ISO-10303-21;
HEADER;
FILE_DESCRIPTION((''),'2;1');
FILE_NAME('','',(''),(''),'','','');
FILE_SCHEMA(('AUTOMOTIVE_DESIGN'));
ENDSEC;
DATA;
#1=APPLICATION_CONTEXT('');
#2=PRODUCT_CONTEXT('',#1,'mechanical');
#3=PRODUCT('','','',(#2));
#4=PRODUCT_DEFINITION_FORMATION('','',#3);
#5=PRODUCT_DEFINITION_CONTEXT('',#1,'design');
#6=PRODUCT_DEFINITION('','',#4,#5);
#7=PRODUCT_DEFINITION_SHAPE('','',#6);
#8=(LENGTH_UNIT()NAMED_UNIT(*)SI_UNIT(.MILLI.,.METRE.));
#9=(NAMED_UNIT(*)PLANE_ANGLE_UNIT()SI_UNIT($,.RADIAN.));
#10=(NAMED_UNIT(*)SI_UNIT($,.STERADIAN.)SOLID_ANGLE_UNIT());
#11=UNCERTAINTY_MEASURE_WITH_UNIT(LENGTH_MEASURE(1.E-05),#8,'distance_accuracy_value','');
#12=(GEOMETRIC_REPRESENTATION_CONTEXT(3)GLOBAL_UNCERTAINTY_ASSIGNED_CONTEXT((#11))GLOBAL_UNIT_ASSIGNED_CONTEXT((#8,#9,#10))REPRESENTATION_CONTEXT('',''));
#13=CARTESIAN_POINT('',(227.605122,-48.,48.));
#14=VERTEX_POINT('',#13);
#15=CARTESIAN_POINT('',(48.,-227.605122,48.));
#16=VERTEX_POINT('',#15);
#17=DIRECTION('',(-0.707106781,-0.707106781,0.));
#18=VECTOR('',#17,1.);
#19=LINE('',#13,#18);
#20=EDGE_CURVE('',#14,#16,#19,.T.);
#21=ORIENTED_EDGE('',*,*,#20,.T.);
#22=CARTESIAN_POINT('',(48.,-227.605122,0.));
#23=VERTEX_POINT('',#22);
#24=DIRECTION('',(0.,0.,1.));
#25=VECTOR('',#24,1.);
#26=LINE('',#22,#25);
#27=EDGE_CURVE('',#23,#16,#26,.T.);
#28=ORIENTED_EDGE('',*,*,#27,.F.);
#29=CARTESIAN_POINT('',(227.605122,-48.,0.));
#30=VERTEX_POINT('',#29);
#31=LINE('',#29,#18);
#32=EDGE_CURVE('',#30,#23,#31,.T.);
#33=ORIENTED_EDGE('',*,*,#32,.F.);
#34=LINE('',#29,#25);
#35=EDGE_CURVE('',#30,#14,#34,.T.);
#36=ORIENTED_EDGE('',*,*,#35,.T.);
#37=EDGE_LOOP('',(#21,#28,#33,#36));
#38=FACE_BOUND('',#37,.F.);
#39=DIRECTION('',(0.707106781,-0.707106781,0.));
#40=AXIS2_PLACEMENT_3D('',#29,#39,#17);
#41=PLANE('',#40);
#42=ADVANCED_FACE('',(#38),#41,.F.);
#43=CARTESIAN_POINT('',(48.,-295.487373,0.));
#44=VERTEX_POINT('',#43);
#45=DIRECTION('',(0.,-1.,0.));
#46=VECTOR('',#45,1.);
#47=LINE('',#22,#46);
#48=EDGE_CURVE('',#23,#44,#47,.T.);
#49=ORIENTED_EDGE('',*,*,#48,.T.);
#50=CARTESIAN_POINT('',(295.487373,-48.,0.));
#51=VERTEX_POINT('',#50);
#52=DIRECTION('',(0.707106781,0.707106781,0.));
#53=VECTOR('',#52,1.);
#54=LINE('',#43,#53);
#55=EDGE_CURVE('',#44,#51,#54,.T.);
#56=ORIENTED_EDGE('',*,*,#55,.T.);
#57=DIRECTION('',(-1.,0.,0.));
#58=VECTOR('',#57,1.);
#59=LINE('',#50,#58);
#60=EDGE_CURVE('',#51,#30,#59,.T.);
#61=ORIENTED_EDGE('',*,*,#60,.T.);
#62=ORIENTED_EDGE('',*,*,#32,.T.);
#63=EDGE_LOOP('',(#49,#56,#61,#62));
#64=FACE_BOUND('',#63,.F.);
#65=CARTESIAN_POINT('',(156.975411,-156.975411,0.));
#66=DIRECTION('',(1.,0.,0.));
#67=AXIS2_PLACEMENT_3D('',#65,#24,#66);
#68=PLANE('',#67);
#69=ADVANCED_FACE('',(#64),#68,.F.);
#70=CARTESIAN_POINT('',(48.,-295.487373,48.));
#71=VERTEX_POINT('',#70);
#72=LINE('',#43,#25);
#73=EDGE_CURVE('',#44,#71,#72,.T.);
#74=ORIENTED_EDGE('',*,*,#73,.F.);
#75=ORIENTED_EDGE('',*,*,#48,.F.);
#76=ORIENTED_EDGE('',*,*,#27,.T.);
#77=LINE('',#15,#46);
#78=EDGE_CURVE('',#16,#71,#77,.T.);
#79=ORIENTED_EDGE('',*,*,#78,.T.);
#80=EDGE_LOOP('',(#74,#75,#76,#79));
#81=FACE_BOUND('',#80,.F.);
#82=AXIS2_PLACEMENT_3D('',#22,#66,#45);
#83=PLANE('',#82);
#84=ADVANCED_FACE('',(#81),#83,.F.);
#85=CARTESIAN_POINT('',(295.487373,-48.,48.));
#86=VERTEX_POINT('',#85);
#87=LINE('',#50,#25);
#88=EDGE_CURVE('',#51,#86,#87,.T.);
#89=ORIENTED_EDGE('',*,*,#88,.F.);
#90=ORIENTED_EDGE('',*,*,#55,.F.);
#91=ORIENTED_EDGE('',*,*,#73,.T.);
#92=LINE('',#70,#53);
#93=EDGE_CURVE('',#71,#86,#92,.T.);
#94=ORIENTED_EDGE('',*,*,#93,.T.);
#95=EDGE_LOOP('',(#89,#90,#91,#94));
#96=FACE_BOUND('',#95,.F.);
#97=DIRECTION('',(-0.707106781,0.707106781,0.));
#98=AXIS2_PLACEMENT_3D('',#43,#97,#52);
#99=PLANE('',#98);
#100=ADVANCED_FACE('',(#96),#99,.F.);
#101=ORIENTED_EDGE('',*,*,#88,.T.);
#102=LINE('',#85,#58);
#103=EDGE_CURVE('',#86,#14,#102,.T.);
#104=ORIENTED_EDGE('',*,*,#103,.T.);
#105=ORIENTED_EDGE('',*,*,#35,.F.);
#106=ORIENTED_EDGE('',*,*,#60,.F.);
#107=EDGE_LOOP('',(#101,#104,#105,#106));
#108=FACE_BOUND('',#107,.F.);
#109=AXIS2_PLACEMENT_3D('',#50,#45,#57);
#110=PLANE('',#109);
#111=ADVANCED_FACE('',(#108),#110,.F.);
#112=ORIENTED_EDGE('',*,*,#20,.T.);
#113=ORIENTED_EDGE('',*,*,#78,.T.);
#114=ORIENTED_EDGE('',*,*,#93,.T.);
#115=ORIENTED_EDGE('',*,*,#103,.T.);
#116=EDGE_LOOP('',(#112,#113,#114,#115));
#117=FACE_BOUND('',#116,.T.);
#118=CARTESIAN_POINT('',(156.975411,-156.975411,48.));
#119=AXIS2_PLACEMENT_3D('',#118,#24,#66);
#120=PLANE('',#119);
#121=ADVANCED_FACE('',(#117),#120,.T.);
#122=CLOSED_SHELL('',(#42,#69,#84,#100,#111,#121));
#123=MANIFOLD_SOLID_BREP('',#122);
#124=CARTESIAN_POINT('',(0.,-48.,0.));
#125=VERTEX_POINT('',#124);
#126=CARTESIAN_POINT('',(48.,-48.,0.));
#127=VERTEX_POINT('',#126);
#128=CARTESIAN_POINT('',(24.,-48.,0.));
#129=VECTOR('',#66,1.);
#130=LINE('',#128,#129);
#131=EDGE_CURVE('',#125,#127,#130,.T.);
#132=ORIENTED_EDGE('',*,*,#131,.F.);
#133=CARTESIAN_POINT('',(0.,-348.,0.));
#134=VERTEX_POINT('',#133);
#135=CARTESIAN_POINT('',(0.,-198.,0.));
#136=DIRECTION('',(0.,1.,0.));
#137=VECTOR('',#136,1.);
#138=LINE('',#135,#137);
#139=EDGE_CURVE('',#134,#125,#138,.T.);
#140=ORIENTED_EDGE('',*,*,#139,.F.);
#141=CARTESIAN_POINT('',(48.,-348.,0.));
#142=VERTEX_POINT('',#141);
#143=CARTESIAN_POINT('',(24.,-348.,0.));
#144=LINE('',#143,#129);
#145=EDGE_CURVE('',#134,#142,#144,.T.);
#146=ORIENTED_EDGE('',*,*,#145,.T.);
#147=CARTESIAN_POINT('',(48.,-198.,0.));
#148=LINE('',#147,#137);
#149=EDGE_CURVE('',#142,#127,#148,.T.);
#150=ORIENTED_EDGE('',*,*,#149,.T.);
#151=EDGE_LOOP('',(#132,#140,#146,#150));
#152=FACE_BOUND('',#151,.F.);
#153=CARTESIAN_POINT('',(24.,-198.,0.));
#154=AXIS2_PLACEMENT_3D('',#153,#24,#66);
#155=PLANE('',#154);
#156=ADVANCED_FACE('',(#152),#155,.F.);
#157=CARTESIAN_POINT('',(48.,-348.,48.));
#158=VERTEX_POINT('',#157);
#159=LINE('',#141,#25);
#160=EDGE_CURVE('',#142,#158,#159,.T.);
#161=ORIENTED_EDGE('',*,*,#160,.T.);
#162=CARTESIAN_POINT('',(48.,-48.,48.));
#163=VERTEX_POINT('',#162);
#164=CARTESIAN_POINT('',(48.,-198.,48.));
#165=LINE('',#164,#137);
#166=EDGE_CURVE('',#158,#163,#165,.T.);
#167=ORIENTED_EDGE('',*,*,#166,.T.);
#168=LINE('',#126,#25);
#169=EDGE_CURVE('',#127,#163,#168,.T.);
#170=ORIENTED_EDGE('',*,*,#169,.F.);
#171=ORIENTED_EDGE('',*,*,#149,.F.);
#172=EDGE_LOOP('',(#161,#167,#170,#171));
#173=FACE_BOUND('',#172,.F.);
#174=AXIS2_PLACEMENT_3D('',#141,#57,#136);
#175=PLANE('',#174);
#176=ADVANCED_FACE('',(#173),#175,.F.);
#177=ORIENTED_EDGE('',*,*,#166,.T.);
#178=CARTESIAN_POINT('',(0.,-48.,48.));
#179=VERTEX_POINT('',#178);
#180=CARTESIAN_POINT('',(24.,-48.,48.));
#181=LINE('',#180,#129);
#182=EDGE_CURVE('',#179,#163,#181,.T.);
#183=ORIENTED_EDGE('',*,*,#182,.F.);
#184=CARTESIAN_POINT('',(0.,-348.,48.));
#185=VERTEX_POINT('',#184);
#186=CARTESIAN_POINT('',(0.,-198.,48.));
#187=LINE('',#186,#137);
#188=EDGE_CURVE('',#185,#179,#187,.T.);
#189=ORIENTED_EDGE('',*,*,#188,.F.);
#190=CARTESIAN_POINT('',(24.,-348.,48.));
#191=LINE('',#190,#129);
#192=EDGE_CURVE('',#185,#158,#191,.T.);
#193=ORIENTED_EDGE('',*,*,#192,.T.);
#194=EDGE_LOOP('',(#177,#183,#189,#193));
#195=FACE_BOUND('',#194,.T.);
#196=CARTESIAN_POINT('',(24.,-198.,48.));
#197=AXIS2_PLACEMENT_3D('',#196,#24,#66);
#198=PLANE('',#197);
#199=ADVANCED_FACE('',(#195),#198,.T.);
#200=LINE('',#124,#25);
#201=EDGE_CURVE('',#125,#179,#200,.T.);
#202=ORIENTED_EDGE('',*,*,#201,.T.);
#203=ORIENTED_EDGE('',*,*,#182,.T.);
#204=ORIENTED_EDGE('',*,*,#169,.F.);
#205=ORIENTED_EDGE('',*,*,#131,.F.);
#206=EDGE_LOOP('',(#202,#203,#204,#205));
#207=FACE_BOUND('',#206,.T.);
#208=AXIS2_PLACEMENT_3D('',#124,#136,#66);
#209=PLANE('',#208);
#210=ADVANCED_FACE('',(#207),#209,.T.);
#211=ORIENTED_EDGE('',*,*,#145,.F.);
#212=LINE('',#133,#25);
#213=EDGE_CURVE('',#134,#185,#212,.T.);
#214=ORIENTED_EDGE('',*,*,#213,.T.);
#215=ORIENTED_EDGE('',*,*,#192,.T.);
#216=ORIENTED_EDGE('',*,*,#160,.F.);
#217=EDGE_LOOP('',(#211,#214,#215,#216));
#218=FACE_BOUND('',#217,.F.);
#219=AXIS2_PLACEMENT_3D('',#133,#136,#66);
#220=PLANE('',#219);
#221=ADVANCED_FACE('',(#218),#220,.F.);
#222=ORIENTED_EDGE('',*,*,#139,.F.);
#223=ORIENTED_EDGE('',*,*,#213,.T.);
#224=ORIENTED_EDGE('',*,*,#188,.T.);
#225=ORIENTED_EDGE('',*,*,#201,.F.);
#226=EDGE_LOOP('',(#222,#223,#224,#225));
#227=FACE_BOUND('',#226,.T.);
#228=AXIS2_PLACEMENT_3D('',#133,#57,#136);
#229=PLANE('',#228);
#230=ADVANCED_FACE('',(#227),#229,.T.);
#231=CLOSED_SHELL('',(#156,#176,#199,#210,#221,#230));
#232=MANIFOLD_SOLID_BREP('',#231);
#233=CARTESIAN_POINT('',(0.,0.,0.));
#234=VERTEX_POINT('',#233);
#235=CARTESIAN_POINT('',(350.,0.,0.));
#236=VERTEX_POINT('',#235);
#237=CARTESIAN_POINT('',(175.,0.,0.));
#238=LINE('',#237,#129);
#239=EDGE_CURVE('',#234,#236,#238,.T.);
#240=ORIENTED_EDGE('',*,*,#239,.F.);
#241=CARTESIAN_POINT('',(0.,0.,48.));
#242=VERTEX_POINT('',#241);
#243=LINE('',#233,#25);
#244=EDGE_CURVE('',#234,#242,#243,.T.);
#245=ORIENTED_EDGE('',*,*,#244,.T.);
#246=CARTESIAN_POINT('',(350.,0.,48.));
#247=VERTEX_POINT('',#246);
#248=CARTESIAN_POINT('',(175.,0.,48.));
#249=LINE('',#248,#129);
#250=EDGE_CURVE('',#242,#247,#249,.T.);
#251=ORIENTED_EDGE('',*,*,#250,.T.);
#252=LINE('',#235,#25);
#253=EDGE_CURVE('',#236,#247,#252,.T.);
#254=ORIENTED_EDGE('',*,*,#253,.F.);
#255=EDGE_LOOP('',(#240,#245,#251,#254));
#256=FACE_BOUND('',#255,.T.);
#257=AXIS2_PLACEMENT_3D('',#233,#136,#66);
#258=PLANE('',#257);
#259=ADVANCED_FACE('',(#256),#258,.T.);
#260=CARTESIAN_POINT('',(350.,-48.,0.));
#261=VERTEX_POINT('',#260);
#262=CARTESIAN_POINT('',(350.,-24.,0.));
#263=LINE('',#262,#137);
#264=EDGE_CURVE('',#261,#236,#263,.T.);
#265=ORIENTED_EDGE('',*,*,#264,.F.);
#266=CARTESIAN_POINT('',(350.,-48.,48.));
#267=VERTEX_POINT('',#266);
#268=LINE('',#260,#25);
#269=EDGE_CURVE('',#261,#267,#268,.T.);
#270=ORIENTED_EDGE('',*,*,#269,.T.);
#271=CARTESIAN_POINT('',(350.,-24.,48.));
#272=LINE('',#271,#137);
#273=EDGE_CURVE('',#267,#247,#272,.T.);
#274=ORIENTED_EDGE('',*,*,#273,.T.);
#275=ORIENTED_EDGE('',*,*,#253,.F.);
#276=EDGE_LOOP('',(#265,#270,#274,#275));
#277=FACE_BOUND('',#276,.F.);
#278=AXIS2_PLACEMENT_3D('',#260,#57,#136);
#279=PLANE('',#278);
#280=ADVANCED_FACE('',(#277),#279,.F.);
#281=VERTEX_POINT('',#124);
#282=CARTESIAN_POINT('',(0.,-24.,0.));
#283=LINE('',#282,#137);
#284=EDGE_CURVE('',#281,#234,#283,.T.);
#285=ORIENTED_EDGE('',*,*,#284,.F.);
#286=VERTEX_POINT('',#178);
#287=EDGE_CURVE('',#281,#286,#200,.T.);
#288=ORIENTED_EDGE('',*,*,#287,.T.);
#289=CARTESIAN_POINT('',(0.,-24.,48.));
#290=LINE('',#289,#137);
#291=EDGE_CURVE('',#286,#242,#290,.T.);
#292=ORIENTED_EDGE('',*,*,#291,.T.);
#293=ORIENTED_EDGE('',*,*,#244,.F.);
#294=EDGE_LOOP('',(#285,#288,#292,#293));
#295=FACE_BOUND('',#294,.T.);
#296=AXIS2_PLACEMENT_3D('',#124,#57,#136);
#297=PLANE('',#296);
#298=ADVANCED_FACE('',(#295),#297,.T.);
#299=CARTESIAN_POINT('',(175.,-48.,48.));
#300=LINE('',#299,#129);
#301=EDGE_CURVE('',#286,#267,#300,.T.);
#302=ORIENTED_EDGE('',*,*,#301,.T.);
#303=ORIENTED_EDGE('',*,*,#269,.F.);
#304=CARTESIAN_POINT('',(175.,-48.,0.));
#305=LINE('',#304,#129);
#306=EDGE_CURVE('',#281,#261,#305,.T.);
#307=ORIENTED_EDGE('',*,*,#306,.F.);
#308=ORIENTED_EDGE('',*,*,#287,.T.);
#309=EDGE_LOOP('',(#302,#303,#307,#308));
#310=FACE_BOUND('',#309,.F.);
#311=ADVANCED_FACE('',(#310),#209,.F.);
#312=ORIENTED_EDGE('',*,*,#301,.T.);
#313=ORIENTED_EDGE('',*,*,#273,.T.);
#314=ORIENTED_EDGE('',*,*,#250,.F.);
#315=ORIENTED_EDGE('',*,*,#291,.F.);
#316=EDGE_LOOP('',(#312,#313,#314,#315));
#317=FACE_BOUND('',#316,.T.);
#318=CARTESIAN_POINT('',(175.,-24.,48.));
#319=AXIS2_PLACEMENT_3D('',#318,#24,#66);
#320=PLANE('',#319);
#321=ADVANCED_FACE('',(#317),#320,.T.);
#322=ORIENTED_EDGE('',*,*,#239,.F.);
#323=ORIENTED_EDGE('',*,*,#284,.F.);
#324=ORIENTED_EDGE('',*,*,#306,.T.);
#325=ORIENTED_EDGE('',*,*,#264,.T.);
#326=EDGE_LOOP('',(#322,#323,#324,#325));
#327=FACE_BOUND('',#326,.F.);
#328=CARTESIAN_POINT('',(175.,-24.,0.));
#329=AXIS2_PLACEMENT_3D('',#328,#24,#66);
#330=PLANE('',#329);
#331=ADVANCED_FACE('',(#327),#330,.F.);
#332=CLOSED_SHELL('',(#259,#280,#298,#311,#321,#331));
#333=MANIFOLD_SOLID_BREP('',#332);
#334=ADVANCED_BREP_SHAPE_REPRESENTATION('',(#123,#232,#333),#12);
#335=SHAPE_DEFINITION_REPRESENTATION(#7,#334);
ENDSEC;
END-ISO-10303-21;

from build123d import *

# Parameters (mm, degrees)
F1_W     = 350
F1_H     = 48
F2_DEPTH = 48
F3_W     = 48
F3_H     = 300
F4_DEPTH = 48
F6_DEPTH = 48


with BuildPart() as f2:
    # F1 (on Top) → F2 (new body)
    with BuildSketch(Plane.XY):
        with Locations((175, -24)):
            Rectangle(F1_W, F1_H)
    extrude(amount=F2_DEPTH)


with BuildPart() as f4:
    # F3 (on Top) → F4 (new body)
    with BuildSketch(Plane.XY):
        with Locations((24, -198)):
            Rectangle(F3_W, F3_H)
    extrude(amount=F4_DEPTH)


with BuildPart() as f6:
    # F5 (on Top) → F6 (new body)
    with BuildSketch(Plane.XY):
        Polygon((48, -295.4873734153), (295.4873734153, -48), (227.6051224214, -48), (48, -227.6051224214), align=None)
    extrude(amount=F6_DEPTH)


solid = Compound([f2.part, f4.part, f6.part])
